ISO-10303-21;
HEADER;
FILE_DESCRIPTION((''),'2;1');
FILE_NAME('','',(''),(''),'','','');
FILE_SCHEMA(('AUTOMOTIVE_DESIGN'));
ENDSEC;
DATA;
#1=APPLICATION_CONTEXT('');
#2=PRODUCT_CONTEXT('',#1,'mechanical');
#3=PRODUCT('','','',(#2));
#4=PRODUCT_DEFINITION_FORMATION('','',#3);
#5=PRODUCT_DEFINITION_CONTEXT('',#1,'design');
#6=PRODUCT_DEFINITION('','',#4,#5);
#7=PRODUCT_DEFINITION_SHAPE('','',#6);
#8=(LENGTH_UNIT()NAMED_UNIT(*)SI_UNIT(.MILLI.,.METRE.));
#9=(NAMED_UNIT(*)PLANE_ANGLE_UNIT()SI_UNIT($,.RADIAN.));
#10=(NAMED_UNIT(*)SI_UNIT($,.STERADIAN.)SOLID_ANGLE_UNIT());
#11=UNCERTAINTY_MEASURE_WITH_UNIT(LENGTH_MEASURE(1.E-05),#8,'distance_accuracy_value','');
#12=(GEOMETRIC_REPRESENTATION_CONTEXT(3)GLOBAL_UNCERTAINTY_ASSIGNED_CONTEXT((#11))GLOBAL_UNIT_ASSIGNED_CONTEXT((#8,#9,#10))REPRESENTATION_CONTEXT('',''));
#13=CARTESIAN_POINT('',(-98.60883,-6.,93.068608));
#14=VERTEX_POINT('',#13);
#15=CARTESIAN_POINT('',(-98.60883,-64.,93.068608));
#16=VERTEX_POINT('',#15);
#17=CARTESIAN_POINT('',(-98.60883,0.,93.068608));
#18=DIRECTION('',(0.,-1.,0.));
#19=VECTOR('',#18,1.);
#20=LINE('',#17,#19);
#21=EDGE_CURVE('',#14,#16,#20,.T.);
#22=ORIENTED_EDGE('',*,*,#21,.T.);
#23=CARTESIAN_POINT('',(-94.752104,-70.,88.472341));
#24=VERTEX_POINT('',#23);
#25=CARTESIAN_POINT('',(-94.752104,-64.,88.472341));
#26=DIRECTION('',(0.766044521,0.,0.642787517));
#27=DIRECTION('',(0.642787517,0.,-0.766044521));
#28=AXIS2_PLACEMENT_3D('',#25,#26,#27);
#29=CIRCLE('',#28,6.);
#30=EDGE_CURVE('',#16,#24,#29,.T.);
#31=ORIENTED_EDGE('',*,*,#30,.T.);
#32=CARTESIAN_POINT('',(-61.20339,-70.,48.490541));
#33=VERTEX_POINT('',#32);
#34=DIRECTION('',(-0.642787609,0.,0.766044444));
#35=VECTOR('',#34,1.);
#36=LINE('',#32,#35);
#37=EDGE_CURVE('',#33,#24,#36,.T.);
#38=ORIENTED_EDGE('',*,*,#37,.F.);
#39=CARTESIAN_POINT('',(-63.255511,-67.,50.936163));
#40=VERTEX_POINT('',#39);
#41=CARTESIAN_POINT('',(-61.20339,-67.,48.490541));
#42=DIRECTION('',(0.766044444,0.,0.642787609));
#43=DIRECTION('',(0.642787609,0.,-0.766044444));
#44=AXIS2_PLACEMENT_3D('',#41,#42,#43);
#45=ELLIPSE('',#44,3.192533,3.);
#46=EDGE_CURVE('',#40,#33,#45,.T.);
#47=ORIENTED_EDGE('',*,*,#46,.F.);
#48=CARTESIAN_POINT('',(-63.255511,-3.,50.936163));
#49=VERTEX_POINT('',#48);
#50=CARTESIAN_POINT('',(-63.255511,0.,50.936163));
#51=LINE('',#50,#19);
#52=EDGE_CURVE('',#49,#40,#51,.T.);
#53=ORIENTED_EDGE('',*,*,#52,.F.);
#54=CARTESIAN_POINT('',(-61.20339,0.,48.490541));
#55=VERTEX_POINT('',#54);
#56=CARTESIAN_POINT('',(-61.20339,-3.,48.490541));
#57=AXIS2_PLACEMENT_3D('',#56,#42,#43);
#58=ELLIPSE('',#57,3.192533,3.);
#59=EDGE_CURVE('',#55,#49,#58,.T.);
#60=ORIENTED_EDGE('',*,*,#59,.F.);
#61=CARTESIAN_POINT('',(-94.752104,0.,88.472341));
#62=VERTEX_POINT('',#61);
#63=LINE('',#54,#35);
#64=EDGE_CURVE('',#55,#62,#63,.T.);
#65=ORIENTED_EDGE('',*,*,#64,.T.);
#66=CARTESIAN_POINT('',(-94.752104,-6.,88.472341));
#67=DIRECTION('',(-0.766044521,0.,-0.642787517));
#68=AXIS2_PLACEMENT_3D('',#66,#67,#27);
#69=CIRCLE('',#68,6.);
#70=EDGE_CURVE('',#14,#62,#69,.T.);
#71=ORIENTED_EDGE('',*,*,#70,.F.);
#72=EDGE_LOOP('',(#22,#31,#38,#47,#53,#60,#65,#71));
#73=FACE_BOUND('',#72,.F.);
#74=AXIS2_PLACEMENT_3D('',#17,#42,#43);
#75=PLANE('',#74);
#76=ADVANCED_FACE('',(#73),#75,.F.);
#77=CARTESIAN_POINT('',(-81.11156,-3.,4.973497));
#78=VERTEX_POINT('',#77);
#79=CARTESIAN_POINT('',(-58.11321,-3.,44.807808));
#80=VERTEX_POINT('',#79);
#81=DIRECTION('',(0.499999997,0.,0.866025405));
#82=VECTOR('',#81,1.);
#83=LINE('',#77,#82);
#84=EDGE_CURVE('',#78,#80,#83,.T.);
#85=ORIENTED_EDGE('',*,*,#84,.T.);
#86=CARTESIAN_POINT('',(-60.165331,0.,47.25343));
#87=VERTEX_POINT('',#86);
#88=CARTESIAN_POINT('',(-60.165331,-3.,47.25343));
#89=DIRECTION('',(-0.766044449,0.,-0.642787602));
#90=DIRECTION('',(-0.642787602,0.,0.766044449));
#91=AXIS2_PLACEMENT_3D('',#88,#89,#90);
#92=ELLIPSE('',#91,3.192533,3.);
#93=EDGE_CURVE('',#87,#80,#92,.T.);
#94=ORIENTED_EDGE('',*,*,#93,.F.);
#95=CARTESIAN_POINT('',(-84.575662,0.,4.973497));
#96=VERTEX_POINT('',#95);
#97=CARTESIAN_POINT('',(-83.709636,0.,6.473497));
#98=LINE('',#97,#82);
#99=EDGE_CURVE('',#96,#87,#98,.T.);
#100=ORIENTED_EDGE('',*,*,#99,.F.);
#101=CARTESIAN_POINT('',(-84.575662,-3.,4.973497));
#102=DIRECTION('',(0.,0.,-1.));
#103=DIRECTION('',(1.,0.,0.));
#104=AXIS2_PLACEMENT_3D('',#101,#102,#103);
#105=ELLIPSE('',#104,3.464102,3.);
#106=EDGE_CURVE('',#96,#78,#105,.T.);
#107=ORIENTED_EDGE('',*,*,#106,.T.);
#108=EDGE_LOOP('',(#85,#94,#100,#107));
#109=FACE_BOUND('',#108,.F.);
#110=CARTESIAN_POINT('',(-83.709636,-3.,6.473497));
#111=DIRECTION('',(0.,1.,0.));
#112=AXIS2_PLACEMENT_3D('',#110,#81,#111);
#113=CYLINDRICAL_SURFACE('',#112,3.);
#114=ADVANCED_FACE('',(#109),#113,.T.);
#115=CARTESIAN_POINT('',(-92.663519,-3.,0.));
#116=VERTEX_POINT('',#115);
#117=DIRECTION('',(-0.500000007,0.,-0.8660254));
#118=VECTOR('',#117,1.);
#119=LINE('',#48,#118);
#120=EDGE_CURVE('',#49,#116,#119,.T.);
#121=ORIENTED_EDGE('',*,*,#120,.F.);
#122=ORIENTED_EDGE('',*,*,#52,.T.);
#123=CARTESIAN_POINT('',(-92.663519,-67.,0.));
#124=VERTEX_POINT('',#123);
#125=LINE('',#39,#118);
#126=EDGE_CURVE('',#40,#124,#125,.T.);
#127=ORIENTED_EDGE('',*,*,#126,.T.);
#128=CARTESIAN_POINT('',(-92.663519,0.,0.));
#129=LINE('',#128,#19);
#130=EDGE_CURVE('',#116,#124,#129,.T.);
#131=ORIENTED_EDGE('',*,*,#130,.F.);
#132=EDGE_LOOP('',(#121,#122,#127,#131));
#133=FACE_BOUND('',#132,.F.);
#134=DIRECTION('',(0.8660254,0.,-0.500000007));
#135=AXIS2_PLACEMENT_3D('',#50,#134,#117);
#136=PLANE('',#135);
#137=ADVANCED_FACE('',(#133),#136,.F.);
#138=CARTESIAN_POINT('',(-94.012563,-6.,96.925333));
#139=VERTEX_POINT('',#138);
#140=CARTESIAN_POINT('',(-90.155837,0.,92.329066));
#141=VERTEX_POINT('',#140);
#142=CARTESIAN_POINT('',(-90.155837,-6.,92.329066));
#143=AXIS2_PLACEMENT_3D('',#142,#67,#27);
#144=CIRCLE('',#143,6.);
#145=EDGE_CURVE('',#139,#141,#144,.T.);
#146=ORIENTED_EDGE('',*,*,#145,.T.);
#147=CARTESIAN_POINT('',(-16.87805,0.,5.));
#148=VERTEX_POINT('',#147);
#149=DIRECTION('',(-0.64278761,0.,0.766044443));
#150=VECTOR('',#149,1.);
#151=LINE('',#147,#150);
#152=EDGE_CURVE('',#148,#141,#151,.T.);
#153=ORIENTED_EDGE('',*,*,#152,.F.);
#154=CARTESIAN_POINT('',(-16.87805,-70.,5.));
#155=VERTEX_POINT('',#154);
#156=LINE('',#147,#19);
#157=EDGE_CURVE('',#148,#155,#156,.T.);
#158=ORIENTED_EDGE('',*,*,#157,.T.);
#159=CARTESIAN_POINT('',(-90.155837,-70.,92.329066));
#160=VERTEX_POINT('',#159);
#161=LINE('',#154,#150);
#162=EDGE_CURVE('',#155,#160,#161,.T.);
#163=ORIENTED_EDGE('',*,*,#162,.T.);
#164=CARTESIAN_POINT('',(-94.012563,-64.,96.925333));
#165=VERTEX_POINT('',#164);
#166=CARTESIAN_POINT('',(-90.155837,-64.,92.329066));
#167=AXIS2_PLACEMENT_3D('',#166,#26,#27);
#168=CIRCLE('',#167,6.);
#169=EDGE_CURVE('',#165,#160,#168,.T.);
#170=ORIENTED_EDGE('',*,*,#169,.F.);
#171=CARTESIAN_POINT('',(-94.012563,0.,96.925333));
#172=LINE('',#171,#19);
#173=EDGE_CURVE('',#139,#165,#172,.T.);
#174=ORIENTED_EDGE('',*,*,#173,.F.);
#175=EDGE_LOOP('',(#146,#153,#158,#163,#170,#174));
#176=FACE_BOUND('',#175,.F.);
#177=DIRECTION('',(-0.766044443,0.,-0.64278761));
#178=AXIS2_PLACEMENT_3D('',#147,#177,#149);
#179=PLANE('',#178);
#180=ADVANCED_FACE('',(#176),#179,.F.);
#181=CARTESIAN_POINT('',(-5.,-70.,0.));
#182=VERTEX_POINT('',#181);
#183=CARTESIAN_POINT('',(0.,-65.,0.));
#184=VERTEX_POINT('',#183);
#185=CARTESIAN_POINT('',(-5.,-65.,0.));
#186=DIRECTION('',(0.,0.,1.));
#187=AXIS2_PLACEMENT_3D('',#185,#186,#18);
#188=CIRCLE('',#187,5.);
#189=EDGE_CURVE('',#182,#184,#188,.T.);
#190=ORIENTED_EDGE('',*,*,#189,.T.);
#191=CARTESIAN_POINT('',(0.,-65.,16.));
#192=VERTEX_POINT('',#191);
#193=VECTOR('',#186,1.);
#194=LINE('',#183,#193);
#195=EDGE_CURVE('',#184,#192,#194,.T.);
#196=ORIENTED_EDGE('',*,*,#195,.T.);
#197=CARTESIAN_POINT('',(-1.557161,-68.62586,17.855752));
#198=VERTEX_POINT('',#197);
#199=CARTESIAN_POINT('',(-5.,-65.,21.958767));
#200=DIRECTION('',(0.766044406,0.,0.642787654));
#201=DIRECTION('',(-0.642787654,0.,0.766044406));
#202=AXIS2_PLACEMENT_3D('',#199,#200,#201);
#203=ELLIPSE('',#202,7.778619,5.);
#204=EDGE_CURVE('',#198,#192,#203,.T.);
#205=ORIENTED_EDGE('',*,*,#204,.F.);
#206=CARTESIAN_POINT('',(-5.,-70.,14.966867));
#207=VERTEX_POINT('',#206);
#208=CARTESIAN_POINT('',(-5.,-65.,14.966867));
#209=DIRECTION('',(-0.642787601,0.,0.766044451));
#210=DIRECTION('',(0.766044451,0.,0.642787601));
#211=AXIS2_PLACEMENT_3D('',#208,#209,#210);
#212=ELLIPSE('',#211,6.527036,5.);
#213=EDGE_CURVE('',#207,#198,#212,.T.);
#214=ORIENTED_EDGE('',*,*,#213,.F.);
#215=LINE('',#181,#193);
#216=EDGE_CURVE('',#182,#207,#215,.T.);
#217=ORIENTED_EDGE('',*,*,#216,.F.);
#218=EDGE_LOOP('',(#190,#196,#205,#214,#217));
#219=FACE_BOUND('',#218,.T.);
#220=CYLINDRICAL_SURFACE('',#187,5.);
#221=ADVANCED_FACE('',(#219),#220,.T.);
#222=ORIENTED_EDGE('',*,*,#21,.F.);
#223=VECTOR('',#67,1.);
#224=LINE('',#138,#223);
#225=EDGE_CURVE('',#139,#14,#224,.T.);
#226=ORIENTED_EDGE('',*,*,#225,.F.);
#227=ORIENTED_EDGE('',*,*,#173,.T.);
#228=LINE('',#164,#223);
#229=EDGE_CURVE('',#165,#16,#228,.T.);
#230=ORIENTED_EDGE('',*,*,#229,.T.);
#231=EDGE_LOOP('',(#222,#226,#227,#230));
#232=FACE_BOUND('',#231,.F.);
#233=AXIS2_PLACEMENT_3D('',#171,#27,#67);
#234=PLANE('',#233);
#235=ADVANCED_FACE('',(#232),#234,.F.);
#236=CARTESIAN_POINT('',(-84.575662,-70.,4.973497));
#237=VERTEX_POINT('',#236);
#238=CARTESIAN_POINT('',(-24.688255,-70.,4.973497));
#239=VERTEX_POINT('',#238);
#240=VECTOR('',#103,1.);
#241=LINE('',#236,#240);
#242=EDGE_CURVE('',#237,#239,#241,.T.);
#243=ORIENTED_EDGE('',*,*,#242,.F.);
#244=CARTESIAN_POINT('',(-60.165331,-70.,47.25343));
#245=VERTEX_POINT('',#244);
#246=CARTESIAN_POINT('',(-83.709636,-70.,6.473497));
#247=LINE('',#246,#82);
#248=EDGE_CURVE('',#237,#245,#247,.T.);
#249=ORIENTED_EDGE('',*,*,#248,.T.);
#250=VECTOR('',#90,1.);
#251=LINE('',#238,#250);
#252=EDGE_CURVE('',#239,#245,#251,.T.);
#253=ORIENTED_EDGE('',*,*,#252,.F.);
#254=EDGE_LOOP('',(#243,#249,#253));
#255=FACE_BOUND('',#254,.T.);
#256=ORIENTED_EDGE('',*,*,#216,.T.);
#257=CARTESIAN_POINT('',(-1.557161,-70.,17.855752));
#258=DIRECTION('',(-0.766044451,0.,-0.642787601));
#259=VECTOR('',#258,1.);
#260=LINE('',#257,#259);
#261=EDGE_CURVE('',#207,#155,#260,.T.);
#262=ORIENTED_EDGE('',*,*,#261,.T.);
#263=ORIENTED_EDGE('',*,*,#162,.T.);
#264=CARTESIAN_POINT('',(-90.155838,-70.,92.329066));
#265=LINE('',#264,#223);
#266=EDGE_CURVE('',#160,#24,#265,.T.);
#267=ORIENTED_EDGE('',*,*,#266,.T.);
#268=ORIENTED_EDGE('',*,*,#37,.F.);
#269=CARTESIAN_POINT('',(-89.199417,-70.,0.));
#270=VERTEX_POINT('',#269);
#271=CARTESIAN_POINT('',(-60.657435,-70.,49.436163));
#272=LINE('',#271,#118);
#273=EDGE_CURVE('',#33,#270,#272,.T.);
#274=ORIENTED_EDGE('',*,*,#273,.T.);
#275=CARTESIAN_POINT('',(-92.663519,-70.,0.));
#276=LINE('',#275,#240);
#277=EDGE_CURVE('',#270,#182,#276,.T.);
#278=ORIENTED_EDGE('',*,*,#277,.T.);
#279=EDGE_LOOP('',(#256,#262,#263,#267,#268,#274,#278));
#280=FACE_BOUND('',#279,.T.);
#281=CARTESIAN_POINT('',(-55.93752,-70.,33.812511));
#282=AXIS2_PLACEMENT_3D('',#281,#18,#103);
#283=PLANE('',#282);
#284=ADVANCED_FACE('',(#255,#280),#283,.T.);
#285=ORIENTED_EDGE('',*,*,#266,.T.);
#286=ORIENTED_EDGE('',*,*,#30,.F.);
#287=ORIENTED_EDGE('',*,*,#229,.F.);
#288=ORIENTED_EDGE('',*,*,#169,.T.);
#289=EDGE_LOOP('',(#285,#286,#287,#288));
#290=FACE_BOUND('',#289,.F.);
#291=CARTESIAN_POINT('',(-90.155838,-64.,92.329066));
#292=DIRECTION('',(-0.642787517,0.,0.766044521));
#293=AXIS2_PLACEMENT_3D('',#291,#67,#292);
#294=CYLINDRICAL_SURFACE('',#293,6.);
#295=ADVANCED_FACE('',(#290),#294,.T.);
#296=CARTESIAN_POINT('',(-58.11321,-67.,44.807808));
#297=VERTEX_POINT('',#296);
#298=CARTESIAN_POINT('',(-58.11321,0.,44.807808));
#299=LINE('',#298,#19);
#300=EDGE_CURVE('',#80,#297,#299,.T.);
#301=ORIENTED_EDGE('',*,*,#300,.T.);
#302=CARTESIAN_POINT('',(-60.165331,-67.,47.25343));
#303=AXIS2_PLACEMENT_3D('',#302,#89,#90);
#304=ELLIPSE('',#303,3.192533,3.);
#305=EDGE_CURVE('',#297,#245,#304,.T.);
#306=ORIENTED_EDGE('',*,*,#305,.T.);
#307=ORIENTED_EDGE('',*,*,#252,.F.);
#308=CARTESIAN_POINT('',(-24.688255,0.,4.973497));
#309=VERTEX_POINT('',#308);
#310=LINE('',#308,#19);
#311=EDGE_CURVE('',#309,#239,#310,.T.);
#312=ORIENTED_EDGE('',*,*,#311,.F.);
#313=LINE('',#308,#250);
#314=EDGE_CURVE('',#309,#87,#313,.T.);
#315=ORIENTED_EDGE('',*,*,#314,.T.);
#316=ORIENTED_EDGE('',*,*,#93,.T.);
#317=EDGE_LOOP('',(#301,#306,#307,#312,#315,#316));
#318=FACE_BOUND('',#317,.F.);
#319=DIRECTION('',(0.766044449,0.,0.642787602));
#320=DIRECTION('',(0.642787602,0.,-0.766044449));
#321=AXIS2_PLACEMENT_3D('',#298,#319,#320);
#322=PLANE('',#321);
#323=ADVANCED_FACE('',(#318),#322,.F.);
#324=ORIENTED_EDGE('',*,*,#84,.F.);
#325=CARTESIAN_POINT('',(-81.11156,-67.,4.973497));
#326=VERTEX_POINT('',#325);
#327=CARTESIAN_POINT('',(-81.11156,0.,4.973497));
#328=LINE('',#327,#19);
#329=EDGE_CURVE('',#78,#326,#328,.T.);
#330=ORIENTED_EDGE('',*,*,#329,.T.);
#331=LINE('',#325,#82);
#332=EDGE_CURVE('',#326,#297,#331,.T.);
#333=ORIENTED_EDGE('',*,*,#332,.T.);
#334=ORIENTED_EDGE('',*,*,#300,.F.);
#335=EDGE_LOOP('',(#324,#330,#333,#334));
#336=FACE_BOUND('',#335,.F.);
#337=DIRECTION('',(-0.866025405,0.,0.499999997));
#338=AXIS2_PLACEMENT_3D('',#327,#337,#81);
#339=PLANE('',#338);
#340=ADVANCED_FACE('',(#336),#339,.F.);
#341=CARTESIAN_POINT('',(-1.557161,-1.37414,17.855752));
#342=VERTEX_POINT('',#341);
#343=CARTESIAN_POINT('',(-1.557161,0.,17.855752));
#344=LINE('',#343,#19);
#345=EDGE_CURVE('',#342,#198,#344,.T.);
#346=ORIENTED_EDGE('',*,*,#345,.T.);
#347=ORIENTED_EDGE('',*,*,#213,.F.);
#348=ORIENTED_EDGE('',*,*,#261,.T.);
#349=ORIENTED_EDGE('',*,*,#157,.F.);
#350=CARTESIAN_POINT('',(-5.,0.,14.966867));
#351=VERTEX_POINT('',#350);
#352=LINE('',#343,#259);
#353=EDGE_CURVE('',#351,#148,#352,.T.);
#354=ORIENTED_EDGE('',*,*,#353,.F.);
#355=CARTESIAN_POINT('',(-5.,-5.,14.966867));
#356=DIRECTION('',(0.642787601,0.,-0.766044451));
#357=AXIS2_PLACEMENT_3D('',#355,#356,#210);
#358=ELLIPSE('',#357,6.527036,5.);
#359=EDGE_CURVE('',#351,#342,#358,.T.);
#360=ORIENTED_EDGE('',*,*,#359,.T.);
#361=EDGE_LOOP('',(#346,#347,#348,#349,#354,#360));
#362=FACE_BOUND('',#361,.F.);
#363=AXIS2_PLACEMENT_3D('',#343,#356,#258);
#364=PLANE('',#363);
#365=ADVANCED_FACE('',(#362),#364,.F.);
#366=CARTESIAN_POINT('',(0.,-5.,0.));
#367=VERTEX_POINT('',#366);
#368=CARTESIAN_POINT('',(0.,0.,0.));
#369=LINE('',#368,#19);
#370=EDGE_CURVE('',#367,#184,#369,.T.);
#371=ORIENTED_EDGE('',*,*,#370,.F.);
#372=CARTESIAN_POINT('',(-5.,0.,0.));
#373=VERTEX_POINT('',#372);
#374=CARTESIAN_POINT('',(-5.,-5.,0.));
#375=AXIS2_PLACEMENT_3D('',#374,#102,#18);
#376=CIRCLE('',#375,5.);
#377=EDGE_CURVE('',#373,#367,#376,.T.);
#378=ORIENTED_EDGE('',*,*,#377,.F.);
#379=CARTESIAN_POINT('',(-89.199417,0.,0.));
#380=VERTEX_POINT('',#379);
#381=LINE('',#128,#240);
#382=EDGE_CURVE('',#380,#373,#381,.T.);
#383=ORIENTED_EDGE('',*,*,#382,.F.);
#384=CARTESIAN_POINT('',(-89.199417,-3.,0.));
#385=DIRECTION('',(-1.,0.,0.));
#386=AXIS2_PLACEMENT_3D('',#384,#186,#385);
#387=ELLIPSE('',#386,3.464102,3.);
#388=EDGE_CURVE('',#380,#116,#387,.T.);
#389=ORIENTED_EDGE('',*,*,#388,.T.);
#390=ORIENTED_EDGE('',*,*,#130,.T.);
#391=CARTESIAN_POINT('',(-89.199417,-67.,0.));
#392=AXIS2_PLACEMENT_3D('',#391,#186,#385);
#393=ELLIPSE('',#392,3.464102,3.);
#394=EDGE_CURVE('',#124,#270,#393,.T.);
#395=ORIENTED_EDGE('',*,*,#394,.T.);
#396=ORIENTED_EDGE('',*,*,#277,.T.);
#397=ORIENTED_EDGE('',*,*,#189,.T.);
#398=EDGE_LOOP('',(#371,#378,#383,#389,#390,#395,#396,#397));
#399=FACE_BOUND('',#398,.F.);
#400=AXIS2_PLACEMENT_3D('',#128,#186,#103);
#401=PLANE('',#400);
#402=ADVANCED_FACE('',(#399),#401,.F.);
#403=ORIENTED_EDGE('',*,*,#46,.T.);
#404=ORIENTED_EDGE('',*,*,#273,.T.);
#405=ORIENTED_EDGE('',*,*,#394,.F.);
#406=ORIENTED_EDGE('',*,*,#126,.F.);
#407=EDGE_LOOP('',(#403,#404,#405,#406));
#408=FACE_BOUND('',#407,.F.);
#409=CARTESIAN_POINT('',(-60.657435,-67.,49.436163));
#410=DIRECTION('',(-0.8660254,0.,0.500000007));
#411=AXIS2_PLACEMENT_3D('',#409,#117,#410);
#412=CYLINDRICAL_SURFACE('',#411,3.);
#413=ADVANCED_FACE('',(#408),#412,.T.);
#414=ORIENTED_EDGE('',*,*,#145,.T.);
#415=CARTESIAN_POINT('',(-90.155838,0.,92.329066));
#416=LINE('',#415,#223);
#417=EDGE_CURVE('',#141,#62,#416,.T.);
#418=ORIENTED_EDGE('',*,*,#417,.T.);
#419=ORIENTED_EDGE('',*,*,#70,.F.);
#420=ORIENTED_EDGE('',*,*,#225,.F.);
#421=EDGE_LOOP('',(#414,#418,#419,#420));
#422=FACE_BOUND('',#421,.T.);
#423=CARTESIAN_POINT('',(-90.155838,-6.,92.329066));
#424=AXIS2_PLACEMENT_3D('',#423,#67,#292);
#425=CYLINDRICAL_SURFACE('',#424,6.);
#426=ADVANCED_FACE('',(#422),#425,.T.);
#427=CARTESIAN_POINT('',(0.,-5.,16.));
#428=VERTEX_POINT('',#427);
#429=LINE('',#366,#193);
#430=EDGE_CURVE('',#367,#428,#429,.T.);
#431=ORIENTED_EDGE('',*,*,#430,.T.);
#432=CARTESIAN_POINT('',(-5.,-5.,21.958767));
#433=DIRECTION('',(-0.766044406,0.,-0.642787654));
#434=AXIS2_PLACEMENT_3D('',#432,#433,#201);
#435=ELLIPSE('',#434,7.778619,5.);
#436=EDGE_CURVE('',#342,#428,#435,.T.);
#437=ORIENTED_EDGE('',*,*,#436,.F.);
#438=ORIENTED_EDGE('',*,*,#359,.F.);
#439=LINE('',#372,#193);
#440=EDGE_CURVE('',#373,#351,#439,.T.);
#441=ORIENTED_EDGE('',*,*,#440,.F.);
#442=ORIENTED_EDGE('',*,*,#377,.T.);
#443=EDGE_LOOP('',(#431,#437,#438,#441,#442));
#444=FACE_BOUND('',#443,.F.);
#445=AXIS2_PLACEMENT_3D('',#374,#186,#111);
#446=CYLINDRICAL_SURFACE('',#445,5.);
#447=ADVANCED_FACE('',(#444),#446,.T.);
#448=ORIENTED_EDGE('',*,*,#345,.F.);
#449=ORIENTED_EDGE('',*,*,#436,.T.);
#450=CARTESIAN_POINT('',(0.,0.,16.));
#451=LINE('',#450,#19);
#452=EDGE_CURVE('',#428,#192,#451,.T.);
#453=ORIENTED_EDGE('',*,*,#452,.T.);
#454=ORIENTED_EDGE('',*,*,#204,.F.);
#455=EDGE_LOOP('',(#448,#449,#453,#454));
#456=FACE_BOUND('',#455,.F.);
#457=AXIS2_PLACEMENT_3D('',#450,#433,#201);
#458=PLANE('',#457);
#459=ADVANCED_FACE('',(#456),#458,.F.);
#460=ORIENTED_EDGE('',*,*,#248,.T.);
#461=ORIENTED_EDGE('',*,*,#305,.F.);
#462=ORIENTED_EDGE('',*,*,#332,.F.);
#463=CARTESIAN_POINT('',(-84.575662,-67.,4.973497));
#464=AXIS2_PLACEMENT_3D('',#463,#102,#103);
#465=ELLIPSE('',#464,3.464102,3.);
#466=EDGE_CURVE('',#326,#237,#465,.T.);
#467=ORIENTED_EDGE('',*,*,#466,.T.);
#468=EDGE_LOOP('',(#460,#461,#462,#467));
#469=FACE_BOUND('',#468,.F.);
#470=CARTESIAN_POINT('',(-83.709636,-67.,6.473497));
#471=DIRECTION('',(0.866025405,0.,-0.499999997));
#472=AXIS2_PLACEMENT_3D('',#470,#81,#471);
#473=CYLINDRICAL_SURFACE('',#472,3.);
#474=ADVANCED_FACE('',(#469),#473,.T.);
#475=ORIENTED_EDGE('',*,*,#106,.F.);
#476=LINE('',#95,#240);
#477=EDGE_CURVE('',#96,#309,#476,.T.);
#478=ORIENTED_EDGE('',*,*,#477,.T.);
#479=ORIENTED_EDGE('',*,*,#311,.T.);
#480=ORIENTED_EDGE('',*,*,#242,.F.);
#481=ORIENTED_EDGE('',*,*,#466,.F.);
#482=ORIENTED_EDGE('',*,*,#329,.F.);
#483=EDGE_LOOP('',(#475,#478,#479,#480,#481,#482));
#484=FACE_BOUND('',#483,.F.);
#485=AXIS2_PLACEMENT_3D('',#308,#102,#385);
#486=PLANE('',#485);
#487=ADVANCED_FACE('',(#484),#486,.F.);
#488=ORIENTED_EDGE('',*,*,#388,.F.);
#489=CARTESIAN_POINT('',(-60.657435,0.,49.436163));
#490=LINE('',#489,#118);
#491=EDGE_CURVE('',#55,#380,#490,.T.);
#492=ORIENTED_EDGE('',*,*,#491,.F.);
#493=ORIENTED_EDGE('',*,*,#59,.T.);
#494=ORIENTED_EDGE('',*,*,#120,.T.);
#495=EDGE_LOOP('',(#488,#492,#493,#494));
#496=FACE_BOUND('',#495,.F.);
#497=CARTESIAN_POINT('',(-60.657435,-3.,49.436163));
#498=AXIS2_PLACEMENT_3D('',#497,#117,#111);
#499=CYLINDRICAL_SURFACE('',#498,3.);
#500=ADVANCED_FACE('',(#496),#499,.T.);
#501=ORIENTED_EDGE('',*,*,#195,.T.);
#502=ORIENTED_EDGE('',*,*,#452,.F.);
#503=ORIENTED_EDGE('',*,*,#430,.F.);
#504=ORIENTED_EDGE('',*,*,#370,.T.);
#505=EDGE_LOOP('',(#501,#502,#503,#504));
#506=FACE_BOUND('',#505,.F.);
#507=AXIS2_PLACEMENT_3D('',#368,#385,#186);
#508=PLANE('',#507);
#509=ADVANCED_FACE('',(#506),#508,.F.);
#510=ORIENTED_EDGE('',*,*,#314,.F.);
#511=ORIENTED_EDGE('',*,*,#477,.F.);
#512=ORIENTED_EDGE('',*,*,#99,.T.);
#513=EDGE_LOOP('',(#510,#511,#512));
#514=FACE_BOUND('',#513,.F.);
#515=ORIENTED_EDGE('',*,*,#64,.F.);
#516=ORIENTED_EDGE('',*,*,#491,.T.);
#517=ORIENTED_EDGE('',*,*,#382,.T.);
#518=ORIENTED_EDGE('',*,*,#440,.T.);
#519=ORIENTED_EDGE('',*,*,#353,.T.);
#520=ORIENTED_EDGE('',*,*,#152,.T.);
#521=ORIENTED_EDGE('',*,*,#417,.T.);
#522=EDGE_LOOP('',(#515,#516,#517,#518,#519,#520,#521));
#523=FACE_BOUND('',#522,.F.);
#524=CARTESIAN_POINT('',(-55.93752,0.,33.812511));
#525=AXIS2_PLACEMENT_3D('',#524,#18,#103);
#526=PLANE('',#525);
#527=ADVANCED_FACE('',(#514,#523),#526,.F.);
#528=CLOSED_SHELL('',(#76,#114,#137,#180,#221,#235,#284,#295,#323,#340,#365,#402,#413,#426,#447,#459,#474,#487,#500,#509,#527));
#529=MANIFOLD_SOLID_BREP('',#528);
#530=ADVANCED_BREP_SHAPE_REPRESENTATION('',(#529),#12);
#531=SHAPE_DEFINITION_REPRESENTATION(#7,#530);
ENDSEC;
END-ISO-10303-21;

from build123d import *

# Parameters (mm, degrees)
PAD_DEPTH   = 70
FILLET_R    = 6
FILLET001_R = 5
FILLET002_R = 3


with BuildPart() as part:
    # Sketch → Pad (new body)
    with BuildSketch(Plane.XZ):
        Polygon((0, 0), (0, 16), (-1.557161, 17.855752), (-16.87805, 5), (-94.012563, 96.925333), (-98.60883, 93.068608), (-63.255511, 50.936163), (-92.663519, 0), align=None)
        Polygon((-58.11321, 44.807808), (-24.688255, 4.973497), (-81.11156, 4.973497), align=None, mode=Mode.SUBTRACT)
    extrude(amount=PAD_DEPTH)

    # Fillet
    fillet_edges = [part.edges().sort_by_distance(p)[0] for p in [
        (-96.310696, -70, 94.99697),
        (-96.310696, 0, 94.99697),
    ]]
    fillet(fillet_edges, radius=FILLET_R)

    # Fillet001
    fillet001_edges = [part.edges().sort_by_distance(p)[0] for p in [
        (0, -70, 8),
        (0, 0, 8),
    ]]
    fillet(fillet001_edges, radius=FILLET001_R)

    # Fillet002
    fillet002_edges = [part.edges().sort_by_distance(p)[0] for p in [
        (-69.612385, -70, 24.890652),
        (-77.959515, -70, 25.468082),
        (-77.959515, 0, 25.468082),
        (-69.612385, 0, 24.890652),
    ]]
    fillet(fillet002_edges, radius=FILLET002_R)


solid = part.part
